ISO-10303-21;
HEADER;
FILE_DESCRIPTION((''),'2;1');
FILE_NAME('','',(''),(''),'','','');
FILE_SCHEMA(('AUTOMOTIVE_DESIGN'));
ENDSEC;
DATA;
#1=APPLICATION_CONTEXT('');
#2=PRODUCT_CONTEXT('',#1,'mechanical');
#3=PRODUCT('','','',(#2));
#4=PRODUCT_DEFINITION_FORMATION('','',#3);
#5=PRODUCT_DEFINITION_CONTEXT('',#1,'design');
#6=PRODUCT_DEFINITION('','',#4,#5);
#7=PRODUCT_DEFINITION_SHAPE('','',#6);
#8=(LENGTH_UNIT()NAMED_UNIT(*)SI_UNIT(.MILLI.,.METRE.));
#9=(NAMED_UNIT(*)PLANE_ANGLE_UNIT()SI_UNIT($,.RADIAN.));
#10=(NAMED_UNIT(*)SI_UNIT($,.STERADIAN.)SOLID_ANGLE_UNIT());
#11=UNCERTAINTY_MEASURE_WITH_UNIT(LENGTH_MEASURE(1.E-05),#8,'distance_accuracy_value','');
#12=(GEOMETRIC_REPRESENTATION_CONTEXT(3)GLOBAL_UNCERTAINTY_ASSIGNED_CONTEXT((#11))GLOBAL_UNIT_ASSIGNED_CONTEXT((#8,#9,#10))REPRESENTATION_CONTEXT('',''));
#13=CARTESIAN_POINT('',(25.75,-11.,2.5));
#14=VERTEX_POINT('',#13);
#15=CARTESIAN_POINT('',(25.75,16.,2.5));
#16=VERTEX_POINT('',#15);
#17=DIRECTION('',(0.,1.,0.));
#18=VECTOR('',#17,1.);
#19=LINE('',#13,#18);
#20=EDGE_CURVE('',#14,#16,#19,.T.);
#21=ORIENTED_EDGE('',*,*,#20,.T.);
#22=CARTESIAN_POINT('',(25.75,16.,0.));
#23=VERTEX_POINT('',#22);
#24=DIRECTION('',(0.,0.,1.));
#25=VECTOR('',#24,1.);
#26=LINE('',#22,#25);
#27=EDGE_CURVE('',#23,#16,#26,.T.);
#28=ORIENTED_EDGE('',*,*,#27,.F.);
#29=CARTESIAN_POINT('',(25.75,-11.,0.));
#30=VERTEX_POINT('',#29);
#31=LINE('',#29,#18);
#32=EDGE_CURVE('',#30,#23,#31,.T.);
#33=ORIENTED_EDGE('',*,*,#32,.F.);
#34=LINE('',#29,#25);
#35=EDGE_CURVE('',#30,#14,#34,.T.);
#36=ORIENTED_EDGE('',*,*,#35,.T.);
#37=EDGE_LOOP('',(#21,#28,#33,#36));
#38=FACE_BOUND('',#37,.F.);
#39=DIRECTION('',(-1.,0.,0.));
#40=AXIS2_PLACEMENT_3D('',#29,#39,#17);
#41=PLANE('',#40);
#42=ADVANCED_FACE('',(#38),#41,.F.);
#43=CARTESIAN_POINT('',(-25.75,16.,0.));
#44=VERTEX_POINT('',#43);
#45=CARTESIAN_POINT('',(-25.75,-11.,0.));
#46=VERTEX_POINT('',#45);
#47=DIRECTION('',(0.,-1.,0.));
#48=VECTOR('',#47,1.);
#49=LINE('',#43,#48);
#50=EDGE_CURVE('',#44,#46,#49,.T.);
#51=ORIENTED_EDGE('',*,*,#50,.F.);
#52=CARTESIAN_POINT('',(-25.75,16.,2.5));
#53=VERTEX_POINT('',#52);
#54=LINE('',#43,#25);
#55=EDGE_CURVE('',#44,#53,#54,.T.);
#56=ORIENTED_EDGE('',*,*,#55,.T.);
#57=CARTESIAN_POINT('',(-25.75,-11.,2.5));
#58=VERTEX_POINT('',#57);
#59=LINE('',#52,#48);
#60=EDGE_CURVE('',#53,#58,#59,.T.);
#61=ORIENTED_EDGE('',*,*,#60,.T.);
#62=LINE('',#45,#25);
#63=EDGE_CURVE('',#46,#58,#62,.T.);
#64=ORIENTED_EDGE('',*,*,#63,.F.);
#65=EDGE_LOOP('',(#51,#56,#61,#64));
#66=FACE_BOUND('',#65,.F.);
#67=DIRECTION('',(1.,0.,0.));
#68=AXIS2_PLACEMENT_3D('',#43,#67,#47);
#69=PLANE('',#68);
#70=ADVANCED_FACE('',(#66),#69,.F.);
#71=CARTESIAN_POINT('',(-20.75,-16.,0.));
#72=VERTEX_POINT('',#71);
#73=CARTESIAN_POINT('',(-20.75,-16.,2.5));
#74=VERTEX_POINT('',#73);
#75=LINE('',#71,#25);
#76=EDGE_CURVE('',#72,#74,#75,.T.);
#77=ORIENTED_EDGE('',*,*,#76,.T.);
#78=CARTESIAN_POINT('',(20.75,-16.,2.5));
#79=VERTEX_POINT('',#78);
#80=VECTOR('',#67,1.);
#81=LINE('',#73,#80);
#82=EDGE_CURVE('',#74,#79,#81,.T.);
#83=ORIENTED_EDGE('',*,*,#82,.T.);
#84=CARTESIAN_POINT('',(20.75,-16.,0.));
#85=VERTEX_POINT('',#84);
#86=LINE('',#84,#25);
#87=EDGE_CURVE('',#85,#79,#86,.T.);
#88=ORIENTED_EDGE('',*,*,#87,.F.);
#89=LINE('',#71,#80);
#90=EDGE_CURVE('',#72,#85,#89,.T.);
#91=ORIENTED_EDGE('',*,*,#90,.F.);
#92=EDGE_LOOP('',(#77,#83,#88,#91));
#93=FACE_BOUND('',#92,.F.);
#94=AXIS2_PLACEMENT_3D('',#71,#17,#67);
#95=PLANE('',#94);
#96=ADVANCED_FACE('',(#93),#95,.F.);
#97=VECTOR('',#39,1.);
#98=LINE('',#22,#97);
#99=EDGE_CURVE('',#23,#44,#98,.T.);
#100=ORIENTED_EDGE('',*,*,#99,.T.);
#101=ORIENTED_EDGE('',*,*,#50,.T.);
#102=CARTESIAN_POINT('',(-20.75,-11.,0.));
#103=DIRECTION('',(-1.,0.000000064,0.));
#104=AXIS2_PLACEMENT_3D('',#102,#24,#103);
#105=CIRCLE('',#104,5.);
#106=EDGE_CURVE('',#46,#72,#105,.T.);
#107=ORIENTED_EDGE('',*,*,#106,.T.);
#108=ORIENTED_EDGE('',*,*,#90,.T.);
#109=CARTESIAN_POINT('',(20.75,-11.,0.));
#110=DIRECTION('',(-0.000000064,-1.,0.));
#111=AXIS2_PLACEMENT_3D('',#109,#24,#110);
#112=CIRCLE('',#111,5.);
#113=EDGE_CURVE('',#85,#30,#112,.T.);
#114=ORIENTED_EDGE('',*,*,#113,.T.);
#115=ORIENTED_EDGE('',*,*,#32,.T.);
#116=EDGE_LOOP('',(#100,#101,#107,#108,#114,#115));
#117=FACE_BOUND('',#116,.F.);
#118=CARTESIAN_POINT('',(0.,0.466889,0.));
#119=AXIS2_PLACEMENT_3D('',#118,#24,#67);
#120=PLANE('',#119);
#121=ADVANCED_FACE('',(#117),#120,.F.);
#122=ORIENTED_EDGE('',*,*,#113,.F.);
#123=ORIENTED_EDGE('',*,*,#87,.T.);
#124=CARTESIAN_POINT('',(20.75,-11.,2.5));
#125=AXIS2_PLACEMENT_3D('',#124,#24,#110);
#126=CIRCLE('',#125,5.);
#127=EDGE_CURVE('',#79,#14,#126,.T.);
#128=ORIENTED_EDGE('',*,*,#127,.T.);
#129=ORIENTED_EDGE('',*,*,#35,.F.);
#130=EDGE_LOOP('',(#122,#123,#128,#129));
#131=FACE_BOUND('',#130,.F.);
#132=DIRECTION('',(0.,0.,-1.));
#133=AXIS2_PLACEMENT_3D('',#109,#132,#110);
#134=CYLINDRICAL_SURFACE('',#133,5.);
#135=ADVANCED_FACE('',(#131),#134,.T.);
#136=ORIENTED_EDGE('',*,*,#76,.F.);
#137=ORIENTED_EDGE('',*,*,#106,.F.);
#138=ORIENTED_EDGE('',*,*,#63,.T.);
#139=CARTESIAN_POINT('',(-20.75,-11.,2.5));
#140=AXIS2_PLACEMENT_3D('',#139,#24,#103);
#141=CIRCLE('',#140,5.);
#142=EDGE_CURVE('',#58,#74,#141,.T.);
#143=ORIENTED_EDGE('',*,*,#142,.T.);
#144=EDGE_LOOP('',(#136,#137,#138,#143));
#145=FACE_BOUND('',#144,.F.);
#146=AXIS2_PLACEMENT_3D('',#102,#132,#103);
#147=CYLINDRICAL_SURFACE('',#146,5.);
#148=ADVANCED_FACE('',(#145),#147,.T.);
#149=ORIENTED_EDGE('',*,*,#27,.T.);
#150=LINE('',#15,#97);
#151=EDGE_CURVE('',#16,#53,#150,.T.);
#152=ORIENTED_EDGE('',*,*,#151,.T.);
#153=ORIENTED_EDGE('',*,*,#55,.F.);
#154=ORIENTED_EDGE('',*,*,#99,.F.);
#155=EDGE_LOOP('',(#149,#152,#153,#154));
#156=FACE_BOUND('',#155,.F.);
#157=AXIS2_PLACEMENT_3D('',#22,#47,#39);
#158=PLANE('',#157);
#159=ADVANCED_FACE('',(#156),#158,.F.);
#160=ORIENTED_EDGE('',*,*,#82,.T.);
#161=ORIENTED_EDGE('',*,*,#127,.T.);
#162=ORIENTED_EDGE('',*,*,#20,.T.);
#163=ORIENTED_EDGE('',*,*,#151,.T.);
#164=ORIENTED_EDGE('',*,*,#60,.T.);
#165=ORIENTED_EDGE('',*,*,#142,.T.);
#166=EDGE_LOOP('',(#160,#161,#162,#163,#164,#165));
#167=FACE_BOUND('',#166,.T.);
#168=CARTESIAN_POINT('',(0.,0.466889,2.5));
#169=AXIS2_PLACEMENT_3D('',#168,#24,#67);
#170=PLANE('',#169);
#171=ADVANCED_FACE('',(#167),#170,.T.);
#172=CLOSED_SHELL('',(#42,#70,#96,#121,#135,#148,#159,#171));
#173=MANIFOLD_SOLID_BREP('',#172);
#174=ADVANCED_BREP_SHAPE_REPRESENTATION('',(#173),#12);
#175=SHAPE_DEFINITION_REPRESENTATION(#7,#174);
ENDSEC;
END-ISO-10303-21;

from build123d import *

# Parameters (mm, degrees)
F1_DEPTH = 2.5


with BuildPart() as f1:
    # F0 (on Top) → F1 (new body)
    with BuildSketch(Plane.XY):
        with BuildLine():
            ThreePointArc((-25.75, -11), (-24.285534, -14.535534), (-20.75, -16))
            Line((-20.75, -16), (20.75, -16))
            ThreePointArc((20.75, -16), (24.285534, -14.535534), (25.75, -11))
            Line((25.75, -11), (25.75, 16))
            Line((25.75, 16), (-25.75, 16))
            Line((-25.75, 16), (-25.75, -11))
        make_face()
    extrude(amount=F1_DEPTH)


solid = f1.part
